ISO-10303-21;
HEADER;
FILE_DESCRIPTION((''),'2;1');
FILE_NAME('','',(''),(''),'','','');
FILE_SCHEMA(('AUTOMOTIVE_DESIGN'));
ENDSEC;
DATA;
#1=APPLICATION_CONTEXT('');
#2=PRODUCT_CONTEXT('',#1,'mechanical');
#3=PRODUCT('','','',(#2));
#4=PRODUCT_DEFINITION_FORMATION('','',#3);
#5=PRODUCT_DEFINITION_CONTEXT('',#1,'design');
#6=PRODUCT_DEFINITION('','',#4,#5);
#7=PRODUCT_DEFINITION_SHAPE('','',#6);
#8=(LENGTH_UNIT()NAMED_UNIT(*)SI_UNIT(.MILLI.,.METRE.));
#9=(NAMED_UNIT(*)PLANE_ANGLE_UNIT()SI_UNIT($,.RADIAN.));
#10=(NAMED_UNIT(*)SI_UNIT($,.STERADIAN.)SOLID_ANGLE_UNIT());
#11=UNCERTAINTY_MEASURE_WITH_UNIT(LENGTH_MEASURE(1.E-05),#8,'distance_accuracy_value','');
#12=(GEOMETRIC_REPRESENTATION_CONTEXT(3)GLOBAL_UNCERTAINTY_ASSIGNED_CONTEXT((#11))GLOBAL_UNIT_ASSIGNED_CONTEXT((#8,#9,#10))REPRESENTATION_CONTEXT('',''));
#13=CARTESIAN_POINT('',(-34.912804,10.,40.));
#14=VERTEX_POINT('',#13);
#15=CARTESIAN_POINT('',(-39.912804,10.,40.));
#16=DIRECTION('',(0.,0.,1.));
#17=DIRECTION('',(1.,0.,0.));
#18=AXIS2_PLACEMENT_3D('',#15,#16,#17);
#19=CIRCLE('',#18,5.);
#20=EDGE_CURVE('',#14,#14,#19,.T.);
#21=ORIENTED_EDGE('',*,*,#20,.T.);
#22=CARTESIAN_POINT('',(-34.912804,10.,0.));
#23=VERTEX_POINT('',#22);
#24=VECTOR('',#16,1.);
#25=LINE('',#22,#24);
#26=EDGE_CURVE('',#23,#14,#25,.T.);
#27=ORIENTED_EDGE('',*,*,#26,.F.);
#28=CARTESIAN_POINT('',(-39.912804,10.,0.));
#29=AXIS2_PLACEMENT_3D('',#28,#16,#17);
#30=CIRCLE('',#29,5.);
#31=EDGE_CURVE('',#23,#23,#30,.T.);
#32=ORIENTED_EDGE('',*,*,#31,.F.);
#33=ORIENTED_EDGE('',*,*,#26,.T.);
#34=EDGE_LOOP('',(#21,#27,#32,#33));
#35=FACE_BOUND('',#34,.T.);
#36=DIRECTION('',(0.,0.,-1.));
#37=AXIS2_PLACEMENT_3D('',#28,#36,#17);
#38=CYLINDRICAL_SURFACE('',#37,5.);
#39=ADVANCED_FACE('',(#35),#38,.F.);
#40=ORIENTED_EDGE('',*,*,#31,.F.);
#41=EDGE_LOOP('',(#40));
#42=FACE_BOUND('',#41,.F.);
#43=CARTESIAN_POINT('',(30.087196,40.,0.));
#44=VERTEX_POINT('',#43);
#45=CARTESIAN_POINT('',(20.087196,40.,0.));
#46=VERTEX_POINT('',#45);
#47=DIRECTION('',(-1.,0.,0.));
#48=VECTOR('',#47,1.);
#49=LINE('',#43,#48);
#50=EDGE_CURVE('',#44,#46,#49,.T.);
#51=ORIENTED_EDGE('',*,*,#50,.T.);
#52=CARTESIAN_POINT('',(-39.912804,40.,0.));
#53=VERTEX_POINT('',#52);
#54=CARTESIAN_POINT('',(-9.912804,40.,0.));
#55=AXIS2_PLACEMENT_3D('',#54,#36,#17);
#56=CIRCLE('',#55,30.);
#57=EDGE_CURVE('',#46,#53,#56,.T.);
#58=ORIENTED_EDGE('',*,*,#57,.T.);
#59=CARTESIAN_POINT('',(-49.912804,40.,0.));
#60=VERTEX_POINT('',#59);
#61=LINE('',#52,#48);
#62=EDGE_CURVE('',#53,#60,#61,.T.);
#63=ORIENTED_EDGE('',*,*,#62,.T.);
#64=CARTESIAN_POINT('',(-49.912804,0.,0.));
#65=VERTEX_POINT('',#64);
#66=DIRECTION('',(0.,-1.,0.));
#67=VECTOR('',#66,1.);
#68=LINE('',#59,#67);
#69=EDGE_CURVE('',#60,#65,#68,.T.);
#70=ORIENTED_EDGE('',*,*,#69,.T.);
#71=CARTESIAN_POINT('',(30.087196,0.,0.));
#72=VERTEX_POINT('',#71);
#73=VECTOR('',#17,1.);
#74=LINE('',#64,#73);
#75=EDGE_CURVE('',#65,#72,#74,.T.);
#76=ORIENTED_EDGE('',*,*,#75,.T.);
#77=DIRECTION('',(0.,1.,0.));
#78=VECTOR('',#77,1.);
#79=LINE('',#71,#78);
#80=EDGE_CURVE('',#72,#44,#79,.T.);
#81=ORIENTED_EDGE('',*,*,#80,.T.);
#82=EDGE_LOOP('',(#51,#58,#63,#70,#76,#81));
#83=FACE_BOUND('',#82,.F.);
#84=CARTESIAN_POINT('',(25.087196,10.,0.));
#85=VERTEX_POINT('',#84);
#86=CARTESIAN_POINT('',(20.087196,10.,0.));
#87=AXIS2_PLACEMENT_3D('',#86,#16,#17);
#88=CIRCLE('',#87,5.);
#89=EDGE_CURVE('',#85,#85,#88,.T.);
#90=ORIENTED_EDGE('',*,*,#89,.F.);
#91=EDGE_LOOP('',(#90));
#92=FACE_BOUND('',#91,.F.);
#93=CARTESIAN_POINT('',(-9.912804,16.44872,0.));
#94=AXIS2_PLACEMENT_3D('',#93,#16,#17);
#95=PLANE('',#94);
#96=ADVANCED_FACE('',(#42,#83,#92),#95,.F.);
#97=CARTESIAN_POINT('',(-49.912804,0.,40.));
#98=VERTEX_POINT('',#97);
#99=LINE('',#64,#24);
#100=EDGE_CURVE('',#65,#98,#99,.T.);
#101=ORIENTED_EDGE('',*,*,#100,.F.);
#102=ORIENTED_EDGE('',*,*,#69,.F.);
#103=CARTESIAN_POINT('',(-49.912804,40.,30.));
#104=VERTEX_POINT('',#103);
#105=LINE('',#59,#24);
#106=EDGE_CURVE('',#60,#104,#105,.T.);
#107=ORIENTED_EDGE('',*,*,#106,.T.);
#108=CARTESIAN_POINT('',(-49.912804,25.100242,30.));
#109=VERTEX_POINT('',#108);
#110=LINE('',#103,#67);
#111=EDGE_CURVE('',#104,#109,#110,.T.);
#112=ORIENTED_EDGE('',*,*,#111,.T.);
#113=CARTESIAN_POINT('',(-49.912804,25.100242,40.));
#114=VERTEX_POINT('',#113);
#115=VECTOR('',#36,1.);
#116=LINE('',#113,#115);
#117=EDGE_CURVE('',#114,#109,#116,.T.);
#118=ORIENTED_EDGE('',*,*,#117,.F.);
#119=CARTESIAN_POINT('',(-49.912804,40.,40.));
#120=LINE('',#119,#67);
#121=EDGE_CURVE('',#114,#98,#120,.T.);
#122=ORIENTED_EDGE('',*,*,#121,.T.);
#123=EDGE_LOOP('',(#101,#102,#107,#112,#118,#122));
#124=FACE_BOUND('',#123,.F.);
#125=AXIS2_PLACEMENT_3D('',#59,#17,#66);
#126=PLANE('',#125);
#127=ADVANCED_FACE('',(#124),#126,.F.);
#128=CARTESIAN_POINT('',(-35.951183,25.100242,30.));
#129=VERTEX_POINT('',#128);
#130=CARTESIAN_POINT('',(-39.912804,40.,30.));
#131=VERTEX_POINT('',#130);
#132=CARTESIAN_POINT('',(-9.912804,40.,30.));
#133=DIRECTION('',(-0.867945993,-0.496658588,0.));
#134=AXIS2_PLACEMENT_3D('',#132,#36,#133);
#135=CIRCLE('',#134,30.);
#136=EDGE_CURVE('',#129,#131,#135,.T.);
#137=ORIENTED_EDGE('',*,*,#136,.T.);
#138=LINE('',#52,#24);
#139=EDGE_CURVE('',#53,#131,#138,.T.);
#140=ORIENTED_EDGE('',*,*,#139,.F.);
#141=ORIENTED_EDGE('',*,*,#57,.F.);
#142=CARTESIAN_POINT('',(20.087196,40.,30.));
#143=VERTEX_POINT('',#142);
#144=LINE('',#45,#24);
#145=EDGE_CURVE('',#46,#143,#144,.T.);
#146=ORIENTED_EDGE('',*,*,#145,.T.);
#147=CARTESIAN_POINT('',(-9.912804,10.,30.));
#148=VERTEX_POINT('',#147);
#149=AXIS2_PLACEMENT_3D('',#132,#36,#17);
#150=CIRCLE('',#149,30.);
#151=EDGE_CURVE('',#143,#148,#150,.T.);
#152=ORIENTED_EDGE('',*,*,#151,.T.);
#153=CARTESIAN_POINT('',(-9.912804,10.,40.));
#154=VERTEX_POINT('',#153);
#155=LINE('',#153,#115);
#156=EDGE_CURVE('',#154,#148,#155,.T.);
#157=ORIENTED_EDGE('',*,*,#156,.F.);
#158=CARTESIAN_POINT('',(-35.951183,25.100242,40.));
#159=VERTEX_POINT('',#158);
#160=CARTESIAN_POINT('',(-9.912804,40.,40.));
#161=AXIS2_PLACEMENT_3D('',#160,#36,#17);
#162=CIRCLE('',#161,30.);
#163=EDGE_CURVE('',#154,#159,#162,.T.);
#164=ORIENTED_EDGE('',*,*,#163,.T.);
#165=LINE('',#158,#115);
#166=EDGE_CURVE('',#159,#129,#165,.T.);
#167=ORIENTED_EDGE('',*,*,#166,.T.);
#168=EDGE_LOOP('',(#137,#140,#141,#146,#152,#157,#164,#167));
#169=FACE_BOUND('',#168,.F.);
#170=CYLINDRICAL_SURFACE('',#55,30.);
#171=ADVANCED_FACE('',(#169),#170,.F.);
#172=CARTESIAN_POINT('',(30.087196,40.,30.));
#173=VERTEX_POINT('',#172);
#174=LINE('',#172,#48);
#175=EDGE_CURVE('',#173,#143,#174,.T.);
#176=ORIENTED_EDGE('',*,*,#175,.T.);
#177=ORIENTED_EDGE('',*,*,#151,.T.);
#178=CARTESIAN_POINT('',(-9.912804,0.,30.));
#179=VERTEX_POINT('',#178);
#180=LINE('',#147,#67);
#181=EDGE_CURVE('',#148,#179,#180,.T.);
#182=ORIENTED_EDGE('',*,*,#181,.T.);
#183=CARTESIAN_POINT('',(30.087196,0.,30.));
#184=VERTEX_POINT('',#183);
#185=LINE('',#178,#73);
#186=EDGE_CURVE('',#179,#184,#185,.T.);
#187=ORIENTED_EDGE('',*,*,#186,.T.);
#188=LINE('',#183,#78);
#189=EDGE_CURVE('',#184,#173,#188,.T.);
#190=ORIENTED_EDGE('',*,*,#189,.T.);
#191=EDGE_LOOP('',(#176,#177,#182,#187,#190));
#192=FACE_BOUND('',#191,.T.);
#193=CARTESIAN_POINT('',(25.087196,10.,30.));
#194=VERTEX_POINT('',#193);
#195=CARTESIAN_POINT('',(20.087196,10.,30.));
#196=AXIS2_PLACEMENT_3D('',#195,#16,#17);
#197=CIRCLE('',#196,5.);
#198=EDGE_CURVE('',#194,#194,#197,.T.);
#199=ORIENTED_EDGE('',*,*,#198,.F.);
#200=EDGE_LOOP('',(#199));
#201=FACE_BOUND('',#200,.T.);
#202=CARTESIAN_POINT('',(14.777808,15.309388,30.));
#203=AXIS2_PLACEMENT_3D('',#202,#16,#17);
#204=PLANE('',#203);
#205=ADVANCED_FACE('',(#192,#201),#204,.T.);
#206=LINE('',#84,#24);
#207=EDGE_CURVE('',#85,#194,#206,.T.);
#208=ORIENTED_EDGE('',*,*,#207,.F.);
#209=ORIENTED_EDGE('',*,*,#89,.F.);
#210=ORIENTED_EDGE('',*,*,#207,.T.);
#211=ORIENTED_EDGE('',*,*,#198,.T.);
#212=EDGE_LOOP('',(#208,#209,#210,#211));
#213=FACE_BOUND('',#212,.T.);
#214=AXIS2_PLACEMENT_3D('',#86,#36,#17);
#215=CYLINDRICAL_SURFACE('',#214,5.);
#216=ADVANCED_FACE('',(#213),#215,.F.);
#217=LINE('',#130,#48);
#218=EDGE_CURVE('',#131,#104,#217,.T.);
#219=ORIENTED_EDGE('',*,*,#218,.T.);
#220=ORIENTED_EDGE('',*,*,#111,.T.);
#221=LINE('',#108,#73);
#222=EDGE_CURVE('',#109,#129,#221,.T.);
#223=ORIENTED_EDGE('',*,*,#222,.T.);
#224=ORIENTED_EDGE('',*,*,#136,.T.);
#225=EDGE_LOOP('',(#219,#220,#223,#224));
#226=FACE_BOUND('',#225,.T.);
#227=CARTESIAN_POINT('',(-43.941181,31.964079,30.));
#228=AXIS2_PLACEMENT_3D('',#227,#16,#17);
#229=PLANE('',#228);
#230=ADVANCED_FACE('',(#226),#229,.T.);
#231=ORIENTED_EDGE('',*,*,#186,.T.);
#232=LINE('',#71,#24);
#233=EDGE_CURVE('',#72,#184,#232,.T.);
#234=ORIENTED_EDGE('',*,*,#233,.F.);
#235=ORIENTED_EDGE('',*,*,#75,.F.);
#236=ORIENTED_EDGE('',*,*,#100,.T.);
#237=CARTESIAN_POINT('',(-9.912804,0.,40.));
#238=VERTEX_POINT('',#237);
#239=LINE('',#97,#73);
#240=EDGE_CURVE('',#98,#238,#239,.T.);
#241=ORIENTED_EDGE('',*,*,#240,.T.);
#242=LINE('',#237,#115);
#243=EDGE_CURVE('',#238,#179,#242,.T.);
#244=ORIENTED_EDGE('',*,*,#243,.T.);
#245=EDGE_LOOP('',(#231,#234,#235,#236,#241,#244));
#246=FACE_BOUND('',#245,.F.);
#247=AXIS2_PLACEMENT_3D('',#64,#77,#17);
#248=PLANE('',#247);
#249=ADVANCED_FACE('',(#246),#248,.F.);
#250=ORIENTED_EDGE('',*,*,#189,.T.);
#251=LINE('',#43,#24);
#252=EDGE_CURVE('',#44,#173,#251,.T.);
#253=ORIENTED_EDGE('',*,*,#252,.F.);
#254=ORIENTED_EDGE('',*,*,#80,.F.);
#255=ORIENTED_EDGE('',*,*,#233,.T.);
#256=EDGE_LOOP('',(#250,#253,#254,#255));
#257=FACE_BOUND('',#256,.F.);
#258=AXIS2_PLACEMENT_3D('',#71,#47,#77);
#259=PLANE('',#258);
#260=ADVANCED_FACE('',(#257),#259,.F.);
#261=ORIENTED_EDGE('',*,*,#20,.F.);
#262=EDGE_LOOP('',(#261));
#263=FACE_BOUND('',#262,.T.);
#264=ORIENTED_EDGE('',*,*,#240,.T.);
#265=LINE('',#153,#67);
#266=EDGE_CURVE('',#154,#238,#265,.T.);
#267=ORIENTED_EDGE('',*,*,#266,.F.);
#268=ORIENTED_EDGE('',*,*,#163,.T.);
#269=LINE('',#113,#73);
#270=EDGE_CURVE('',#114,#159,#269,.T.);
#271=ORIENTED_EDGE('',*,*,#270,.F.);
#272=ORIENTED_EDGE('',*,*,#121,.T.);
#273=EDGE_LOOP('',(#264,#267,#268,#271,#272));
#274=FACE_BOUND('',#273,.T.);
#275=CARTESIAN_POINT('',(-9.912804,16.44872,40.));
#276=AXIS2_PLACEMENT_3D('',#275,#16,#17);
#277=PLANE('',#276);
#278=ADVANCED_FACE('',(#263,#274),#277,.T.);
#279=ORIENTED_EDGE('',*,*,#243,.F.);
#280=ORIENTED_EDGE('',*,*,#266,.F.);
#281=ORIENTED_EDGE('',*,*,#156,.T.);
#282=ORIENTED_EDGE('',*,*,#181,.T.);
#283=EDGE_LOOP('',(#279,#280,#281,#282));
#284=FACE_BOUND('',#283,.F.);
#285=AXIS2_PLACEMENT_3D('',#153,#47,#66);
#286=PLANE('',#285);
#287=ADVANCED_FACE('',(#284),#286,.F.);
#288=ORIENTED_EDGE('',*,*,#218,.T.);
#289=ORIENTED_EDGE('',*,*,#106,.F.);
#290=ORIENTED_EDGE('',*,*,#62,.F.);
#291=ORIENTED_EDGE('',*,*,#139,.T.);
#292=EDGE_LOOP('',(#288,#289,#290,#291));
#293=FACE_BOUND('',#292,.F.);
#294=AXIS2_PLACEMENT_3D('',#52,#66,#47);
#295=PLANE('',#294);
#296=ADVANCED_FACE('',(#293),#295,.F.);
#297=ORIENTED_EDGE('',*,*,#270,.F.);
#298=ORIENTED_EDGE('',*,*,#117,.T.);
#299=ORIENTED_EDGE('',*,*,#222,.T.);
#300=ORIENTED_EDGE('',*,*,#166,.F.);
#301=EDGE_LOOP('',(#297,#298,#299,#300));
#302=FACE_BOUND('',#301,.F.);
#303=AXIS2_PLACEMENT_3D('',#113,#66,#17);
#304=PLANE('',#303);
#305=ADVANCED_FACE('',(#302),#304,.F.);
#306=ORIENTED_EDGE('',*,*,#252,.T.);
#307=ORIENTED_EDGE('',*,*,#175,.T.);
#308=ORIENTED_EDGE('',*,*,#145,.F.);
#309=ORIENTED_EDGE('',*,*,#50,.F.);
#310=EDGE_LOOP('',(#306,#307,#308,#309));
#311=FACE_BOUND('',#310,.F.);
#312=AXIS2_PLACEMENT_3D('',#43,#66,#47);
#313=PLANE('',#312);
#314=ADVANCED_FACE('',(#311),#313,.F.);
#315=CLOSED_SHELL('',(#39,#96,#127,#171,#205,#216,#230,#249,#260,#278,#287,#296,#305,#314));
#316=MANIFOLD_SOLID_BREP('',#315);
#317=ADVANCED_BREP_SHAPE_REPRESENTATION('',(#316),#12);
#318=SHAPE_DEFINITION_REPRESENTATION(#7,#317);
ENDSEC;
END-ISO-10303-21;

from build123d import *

# Parameters (mm, degrees)
F0_R     = 5
F1_DEPTH = 40
F2_R     = 5
F3_DEPTH = 10


with BuildPart() as f1:
    # F0 (on Top) → F1 (new body)
    with BuildSketch(Plane.XY):
        with BuildLine():
            Line((-49.9128035599, 40), (-49.9128035599, 0))
            Line((-49.9128035599, 0), (30.0871964401, 0))
            Line((30.0871964401, 0), (30.0871964401, 40))
            Line((30.0871964401, 40), (20.0871964401, 40))
            ThreePointArc((20.0871964401, 40), (-9.9128035599, 10), (-39.9128035599, 40))
            Line((-39.9128035599, 40), (-49.9128035599, 40))
        make_face()
        with Locations((-39.9128035599, 10)):
            Circle(F0_R, mode=Mode.SUBTRACT)
        with Locations((20.0871964401, 10)):
            Circle(F0_R, mode=Mode.SUBTRACT)
    extrude(amount=F1_DEPTH)

    # F2 (on face) → F3 (cut)
    with BuildSketch(Plane.XY.offset(40)):
        with BuildLine():
            Line((-49.9128035599, 40), (-49.9128035599, 25.1002423465))
            Line((-49.9128035599, 25.1002423465), (-35.9511833457, 25.1002423465))
            ThreePointArc((-35.9511833457, 25.1002423465), (-38.9054870643, 32.2912839452), (-39.9128035599, 40))
            Line((-39.9128035599, 40), (-49.9128035599, 40))
        make_face()
        with BuildLine():
            ThreePointArc((20.0871964401, 40), (11.3003998756, 18.7867965644), (-9.9128035599, 10))
            Line((-9.9128035599, 10), (-9.9128035599, 0))
            Line((-9.9128035599, 0), (30.0871964401, 0))
            Line((30.0871964401, 0), (30.0871964401, 40))
            Line((30.0871964401, 40), (20.0871964401, 40))
        make_face()
        with Locations((20.0871964401, 10)):
            Circle(F2_R, mode=Mode.SUBTRACT)
    extrude(amount=-F3_DEPTH, mode=Mode.SUBTRACT)


solid = f1.part
